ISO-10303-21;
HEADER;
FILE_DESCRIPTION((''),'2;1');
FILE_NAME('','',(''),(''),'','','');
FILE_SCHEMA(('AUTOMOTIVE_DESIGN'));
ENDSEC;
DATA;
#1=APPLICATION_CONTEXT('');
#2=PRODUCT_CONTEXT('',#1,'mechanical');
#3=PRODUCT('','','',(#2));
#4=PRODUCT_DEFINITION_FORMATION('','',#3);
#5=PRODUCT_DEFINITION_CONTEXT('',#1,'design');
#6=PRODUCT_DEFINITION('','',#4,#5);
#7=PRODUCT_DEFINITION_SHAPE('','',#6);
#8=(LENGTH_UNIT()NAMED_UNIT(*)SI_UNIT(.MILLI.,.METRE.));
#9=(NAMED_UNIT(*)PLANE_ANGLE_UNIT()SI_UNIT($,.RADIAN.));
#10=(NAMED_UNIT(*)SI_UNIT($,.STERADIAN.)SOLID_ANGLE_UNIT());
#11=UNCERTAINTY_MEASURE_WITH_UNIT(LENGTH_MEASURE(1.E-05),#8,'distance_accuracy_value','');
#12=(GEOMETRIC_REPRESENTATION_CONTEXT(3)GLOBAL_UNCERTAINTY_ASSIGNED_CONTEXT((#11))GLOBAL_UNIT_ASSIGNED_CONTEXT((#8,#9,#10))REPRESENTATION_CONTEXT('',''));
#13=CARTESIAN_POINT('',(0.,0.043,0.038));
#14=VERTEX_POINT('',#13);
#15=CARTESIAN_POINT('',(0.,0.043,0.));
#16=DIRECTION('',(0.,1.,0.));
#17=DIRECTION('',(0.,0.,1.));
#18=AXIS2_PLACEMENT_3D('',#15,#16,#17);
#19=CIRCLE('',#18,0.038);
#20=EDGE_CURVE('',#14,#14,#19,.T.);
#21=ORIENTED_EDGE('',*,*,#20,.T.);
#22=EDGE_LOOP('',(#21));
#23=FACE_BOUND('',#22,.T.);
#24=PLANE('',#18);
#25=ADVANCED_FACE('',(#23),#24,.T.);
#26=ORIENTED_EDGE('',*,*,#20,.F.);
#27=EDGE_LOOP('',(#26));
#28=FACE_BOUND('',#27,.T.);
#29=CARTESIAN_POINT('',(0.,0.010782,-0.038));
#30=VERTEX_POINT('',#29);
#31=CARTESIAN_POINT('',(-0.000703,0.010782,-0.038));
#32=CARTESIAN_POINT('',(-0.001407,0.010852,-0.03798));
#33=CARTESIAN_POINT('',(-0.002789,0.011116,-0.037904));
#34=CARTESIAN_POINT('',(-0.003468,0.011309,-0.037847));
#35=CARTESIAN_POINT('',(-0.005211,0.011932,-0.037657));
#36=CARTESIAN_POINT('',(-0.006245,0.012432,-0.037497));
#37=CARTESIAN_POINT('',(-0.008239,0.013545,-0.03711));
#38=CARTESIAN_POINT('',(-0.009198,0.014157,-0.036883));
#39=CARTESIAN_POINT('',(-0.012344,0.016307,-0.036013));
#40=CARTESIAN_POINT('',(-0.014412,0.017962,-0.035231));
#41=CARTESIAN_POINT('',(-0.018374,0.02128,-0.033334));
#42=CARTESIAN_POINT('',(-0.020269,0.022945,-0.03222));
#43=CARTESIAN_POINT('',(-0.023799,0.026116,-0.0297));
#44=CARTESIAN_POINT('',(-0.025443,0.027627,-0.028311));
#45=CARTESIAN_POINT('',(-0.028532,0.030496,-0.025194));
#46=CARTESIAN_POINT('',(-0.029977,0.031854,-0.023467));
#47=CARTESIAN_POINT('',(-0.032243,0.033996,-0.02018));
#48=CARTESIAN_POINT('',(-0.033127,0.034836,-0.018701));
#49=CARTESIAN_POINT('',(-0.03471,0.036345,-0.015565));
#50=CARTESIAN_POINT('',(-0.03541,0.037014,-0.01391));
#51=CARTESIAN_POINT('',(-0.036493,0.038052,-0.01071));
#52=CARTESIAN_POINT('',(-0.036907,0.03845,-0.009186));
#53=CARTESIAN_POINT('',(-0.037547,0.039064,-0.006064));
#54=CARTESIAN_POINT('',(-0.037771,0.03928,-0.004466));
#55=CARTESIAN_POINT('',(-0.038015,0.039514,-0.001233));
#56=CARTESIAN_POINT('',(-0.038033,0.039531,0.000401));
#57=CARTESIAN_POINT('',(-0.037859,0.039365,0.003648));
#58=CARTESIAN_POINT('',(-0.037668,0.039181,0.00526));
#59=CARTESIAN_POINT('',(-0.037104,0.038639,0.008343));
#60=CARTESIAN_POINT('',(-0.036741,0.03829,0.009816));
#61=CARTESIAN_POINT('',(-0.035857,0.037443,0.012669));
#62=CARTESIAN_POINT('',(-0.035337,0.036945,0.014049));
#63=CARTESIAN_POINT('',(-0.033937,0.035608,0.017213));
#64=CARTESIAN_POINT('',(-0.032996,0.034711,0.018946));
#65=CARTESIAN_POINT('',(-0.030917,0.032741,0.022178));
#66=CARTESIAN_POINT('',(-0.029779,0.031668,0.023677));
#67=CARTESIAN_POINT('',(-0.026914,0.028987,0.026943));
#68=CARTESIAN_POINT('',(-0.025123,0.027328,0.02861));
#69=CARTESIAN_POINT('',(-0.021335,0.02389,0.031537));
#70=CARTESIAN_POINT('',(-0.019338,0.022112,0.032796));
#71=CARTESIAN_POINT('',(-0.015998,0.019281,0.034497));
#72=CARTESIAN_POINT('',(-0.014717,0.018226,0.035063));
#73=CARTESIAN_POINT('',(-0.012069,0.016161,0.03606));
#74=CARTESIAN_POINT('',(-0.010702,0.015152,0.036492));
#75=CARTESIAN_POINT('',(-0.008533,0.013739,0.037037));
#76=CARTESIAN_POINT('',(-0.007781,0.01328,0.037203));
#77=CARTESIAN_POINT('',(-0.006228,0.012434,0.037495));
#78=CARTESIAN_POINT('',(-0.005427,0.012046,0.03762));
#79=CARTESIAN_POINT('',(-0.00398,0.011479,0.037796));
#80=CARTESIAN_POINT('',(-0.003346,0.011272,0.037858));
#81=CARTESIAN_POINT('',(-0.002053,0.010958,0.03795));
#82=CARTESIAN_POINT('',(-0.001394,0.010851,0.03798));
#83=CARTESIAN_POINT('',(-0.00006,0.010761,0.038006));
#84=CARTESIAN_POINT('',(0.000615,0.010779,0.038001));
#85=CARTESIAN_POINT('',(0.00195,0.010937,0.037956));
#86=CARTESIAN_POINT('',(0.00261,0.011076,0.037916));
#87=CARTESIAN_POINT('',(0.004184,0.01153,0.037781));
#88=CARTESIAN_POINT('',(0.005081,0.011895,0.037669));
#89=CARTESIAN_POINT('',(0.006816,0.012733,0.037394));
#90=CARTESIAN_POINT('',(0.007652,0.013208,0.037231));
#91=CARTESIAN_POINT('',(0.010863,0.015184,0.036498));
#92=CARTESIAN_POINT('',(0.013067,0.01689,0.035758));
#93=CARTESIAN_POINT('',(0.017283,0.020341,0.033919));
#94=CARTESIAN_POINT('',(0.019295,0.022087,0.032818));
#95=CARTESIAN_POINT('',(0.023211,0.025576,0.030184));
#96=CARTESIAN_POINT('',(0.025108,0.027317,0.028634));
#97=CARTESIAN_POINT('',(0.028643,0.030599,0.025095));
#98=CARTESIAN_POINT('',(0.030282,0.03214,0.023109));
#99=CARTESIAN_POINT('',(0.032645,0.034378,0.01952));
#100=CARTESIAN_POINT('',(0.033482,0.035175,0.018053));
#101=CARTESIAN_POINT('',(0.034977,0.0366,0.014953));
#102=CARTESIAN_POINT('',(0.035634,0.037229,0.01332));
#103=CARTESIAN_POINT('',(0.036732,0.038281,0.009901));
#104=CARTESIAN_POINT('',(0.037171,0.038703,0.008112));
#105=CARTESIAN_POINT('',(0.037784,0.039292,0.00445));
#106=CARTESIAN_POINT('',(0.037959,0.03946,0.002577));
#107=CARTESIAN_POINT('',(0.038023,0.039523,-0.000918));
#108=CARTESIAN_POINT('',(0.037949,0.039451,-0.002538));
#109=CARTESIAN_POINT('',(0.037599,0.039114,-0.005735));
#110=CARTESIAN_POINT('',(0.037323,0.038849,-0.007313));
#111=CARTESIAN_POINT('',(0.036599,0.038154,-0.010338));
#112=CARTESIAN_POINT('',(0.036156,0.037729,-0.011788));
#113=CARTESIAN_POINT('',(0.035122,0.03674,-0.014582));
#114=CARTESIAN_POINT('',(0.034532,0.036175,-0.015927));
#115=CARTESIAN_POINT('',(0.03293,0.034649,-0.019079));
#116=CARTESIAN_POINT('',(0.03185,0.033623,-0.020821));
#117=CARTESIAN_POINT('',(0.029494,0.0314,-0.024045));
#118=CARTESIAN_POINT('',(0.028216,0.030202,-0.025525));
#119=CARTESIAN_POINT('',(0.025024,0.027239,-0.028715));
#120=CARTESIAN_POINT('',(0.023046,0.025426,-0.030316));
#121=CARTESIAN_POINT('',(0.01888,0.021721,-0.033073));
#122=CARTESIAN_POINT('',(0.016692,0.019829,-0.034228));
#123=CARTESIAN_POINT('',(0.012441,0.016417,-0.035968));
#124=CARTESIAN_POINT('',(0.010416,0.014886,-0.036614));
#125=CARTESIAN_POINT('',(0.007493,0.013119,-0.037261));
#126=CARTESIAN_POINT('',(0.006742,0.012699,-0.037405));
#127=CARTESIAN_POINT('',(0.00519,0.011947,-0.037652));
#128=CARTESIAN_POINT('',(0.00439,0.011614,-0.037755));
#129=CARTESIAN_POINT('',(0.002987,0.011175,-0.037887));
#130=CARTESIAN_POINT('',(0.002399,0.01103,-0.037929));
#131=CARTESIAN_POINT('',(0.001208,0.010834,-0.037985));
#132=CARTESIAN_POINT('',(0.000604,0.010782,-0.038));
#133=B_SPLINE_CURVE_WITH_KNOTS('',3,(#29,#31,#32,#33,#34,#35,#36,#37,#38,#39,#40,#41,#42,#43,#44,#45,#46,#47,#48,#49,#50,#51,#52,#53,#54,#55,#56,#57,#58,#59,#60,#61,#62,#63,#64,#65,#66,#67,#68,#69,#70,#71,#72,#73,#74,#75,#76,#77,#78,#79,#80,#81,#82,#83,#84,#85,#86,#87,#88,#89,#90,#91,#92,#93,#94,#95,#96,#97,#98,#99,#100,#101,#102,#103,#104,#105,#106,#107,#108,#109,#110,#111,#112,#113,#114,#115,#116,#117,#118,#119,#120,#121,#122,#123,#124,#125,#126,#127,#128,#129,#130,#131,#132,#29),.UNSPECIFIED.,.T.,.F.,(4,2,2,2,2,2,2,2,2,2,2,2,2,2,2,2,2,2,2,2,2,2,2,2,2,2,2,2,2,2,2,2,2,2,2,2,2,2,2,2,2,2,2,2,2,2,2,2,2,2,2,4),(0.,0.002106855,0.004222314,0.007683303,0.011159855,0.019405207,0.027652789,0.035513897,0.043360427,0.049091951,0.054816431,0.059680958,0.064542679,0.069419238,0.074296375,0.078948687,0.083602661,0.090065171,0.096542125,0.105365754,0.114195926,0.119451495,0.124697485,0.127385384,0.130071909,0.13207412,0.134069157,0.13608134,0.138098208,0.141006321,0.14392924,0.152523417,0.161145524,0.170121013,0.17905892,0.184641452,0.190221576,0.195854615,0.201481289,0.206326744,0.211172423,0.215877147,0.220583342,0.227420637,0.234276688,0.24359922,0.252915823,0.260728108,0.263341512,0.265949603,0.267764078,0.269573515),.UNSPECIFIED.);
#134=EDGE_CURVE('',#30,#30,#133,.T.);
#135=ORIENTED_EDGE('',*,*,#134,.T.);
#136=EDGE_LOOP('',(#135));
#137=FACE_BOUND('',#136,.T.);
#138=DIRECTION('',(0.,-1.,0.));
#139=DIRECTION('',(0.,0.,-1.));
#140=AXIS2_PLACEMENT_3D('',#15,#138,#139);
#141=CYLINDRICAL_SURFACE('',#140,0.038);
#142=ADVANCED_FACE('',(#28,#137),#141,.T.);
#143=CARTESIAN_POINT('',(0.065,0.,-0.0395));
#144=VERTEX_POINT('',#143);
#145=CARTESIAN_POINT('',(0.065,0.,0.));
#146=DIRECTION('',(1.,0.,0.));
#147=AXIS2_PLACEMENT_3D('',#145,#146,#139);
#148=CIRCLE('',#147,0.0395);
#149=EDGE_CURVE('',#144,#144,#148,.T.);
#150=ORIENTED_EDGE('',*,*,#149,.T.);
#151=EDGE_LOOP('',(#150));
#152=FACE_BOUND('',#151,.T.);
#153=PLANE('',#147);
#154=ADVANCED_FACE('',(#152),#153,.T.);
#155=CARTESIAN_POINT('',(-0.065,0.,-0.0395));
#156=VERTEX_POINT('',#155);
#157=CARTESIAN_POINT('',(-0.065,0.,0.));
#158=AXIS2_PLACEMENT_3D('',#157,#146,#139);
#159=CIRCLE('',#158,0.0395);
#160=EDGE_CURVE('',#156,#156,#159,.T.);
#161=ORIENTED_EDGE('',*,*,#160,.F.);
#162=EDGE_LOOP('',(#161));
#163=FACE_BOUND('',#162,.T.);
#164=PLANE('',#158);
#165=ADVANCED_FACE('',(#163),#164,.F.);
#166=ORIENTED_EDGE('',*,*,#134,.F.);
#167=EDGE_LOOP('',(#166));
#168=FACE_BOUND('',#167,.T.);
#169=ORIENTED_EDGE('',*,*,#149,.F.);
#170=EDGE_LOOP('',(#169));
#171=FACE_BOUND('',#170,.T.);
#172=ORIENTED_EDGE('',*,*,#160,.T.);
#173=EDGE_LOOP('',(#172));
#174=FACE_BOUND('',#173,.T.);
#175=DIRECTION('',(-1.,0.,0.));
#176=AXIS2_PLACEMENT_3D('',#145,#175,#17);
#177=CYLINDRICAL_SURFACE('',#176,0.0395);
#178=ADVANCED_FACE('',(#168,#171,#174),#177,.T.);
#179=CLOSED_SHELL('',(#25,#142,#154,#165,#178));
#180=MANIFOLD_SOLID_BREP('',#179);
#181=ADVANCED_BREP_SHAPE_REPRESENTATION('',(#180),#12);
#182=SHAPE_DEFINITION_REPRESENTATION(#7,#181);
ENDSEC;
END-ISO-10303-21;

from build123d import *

# Parameters (mm, degrees)
BOSS_EXTRUDE1_START = -0.065
SKETCH1_R           = 0.0395
BOSS_EXTRUDE1_DEPTH = 0.13
SKETCH2_R           = 0.038
BOSS_EXTRUDE2_DEPTH = 0.043


with BuildPart() as part:
    # Sketch1 → Boss-Extrude1 (new body)
    with BuildSketch(Plane(origin=(0, 0, 0), x_dir=(0, 0, -1), z_dir=(1, 0, 0)).offset(BOSS_EXTRUDE1_START)):
        Circle(SKETCH1_R)
    extrude(amount=BOSS_EXTRUDE1_DEPTH)

    # Sketch2 → Boss-Extrude2 (add)
    with BuildSketch(Plane(origin=(0, 0, 0), x_dir=(1, 0, 0), z_dir=(0, 1, 0))):
        with Locations(Location((0, 0, 0), (0, 0, 90))):
            Circle(SKETCH2_R)
    extrude(amount=BOSS_EXTRUDE2_DEPTH)


solid = part.part
